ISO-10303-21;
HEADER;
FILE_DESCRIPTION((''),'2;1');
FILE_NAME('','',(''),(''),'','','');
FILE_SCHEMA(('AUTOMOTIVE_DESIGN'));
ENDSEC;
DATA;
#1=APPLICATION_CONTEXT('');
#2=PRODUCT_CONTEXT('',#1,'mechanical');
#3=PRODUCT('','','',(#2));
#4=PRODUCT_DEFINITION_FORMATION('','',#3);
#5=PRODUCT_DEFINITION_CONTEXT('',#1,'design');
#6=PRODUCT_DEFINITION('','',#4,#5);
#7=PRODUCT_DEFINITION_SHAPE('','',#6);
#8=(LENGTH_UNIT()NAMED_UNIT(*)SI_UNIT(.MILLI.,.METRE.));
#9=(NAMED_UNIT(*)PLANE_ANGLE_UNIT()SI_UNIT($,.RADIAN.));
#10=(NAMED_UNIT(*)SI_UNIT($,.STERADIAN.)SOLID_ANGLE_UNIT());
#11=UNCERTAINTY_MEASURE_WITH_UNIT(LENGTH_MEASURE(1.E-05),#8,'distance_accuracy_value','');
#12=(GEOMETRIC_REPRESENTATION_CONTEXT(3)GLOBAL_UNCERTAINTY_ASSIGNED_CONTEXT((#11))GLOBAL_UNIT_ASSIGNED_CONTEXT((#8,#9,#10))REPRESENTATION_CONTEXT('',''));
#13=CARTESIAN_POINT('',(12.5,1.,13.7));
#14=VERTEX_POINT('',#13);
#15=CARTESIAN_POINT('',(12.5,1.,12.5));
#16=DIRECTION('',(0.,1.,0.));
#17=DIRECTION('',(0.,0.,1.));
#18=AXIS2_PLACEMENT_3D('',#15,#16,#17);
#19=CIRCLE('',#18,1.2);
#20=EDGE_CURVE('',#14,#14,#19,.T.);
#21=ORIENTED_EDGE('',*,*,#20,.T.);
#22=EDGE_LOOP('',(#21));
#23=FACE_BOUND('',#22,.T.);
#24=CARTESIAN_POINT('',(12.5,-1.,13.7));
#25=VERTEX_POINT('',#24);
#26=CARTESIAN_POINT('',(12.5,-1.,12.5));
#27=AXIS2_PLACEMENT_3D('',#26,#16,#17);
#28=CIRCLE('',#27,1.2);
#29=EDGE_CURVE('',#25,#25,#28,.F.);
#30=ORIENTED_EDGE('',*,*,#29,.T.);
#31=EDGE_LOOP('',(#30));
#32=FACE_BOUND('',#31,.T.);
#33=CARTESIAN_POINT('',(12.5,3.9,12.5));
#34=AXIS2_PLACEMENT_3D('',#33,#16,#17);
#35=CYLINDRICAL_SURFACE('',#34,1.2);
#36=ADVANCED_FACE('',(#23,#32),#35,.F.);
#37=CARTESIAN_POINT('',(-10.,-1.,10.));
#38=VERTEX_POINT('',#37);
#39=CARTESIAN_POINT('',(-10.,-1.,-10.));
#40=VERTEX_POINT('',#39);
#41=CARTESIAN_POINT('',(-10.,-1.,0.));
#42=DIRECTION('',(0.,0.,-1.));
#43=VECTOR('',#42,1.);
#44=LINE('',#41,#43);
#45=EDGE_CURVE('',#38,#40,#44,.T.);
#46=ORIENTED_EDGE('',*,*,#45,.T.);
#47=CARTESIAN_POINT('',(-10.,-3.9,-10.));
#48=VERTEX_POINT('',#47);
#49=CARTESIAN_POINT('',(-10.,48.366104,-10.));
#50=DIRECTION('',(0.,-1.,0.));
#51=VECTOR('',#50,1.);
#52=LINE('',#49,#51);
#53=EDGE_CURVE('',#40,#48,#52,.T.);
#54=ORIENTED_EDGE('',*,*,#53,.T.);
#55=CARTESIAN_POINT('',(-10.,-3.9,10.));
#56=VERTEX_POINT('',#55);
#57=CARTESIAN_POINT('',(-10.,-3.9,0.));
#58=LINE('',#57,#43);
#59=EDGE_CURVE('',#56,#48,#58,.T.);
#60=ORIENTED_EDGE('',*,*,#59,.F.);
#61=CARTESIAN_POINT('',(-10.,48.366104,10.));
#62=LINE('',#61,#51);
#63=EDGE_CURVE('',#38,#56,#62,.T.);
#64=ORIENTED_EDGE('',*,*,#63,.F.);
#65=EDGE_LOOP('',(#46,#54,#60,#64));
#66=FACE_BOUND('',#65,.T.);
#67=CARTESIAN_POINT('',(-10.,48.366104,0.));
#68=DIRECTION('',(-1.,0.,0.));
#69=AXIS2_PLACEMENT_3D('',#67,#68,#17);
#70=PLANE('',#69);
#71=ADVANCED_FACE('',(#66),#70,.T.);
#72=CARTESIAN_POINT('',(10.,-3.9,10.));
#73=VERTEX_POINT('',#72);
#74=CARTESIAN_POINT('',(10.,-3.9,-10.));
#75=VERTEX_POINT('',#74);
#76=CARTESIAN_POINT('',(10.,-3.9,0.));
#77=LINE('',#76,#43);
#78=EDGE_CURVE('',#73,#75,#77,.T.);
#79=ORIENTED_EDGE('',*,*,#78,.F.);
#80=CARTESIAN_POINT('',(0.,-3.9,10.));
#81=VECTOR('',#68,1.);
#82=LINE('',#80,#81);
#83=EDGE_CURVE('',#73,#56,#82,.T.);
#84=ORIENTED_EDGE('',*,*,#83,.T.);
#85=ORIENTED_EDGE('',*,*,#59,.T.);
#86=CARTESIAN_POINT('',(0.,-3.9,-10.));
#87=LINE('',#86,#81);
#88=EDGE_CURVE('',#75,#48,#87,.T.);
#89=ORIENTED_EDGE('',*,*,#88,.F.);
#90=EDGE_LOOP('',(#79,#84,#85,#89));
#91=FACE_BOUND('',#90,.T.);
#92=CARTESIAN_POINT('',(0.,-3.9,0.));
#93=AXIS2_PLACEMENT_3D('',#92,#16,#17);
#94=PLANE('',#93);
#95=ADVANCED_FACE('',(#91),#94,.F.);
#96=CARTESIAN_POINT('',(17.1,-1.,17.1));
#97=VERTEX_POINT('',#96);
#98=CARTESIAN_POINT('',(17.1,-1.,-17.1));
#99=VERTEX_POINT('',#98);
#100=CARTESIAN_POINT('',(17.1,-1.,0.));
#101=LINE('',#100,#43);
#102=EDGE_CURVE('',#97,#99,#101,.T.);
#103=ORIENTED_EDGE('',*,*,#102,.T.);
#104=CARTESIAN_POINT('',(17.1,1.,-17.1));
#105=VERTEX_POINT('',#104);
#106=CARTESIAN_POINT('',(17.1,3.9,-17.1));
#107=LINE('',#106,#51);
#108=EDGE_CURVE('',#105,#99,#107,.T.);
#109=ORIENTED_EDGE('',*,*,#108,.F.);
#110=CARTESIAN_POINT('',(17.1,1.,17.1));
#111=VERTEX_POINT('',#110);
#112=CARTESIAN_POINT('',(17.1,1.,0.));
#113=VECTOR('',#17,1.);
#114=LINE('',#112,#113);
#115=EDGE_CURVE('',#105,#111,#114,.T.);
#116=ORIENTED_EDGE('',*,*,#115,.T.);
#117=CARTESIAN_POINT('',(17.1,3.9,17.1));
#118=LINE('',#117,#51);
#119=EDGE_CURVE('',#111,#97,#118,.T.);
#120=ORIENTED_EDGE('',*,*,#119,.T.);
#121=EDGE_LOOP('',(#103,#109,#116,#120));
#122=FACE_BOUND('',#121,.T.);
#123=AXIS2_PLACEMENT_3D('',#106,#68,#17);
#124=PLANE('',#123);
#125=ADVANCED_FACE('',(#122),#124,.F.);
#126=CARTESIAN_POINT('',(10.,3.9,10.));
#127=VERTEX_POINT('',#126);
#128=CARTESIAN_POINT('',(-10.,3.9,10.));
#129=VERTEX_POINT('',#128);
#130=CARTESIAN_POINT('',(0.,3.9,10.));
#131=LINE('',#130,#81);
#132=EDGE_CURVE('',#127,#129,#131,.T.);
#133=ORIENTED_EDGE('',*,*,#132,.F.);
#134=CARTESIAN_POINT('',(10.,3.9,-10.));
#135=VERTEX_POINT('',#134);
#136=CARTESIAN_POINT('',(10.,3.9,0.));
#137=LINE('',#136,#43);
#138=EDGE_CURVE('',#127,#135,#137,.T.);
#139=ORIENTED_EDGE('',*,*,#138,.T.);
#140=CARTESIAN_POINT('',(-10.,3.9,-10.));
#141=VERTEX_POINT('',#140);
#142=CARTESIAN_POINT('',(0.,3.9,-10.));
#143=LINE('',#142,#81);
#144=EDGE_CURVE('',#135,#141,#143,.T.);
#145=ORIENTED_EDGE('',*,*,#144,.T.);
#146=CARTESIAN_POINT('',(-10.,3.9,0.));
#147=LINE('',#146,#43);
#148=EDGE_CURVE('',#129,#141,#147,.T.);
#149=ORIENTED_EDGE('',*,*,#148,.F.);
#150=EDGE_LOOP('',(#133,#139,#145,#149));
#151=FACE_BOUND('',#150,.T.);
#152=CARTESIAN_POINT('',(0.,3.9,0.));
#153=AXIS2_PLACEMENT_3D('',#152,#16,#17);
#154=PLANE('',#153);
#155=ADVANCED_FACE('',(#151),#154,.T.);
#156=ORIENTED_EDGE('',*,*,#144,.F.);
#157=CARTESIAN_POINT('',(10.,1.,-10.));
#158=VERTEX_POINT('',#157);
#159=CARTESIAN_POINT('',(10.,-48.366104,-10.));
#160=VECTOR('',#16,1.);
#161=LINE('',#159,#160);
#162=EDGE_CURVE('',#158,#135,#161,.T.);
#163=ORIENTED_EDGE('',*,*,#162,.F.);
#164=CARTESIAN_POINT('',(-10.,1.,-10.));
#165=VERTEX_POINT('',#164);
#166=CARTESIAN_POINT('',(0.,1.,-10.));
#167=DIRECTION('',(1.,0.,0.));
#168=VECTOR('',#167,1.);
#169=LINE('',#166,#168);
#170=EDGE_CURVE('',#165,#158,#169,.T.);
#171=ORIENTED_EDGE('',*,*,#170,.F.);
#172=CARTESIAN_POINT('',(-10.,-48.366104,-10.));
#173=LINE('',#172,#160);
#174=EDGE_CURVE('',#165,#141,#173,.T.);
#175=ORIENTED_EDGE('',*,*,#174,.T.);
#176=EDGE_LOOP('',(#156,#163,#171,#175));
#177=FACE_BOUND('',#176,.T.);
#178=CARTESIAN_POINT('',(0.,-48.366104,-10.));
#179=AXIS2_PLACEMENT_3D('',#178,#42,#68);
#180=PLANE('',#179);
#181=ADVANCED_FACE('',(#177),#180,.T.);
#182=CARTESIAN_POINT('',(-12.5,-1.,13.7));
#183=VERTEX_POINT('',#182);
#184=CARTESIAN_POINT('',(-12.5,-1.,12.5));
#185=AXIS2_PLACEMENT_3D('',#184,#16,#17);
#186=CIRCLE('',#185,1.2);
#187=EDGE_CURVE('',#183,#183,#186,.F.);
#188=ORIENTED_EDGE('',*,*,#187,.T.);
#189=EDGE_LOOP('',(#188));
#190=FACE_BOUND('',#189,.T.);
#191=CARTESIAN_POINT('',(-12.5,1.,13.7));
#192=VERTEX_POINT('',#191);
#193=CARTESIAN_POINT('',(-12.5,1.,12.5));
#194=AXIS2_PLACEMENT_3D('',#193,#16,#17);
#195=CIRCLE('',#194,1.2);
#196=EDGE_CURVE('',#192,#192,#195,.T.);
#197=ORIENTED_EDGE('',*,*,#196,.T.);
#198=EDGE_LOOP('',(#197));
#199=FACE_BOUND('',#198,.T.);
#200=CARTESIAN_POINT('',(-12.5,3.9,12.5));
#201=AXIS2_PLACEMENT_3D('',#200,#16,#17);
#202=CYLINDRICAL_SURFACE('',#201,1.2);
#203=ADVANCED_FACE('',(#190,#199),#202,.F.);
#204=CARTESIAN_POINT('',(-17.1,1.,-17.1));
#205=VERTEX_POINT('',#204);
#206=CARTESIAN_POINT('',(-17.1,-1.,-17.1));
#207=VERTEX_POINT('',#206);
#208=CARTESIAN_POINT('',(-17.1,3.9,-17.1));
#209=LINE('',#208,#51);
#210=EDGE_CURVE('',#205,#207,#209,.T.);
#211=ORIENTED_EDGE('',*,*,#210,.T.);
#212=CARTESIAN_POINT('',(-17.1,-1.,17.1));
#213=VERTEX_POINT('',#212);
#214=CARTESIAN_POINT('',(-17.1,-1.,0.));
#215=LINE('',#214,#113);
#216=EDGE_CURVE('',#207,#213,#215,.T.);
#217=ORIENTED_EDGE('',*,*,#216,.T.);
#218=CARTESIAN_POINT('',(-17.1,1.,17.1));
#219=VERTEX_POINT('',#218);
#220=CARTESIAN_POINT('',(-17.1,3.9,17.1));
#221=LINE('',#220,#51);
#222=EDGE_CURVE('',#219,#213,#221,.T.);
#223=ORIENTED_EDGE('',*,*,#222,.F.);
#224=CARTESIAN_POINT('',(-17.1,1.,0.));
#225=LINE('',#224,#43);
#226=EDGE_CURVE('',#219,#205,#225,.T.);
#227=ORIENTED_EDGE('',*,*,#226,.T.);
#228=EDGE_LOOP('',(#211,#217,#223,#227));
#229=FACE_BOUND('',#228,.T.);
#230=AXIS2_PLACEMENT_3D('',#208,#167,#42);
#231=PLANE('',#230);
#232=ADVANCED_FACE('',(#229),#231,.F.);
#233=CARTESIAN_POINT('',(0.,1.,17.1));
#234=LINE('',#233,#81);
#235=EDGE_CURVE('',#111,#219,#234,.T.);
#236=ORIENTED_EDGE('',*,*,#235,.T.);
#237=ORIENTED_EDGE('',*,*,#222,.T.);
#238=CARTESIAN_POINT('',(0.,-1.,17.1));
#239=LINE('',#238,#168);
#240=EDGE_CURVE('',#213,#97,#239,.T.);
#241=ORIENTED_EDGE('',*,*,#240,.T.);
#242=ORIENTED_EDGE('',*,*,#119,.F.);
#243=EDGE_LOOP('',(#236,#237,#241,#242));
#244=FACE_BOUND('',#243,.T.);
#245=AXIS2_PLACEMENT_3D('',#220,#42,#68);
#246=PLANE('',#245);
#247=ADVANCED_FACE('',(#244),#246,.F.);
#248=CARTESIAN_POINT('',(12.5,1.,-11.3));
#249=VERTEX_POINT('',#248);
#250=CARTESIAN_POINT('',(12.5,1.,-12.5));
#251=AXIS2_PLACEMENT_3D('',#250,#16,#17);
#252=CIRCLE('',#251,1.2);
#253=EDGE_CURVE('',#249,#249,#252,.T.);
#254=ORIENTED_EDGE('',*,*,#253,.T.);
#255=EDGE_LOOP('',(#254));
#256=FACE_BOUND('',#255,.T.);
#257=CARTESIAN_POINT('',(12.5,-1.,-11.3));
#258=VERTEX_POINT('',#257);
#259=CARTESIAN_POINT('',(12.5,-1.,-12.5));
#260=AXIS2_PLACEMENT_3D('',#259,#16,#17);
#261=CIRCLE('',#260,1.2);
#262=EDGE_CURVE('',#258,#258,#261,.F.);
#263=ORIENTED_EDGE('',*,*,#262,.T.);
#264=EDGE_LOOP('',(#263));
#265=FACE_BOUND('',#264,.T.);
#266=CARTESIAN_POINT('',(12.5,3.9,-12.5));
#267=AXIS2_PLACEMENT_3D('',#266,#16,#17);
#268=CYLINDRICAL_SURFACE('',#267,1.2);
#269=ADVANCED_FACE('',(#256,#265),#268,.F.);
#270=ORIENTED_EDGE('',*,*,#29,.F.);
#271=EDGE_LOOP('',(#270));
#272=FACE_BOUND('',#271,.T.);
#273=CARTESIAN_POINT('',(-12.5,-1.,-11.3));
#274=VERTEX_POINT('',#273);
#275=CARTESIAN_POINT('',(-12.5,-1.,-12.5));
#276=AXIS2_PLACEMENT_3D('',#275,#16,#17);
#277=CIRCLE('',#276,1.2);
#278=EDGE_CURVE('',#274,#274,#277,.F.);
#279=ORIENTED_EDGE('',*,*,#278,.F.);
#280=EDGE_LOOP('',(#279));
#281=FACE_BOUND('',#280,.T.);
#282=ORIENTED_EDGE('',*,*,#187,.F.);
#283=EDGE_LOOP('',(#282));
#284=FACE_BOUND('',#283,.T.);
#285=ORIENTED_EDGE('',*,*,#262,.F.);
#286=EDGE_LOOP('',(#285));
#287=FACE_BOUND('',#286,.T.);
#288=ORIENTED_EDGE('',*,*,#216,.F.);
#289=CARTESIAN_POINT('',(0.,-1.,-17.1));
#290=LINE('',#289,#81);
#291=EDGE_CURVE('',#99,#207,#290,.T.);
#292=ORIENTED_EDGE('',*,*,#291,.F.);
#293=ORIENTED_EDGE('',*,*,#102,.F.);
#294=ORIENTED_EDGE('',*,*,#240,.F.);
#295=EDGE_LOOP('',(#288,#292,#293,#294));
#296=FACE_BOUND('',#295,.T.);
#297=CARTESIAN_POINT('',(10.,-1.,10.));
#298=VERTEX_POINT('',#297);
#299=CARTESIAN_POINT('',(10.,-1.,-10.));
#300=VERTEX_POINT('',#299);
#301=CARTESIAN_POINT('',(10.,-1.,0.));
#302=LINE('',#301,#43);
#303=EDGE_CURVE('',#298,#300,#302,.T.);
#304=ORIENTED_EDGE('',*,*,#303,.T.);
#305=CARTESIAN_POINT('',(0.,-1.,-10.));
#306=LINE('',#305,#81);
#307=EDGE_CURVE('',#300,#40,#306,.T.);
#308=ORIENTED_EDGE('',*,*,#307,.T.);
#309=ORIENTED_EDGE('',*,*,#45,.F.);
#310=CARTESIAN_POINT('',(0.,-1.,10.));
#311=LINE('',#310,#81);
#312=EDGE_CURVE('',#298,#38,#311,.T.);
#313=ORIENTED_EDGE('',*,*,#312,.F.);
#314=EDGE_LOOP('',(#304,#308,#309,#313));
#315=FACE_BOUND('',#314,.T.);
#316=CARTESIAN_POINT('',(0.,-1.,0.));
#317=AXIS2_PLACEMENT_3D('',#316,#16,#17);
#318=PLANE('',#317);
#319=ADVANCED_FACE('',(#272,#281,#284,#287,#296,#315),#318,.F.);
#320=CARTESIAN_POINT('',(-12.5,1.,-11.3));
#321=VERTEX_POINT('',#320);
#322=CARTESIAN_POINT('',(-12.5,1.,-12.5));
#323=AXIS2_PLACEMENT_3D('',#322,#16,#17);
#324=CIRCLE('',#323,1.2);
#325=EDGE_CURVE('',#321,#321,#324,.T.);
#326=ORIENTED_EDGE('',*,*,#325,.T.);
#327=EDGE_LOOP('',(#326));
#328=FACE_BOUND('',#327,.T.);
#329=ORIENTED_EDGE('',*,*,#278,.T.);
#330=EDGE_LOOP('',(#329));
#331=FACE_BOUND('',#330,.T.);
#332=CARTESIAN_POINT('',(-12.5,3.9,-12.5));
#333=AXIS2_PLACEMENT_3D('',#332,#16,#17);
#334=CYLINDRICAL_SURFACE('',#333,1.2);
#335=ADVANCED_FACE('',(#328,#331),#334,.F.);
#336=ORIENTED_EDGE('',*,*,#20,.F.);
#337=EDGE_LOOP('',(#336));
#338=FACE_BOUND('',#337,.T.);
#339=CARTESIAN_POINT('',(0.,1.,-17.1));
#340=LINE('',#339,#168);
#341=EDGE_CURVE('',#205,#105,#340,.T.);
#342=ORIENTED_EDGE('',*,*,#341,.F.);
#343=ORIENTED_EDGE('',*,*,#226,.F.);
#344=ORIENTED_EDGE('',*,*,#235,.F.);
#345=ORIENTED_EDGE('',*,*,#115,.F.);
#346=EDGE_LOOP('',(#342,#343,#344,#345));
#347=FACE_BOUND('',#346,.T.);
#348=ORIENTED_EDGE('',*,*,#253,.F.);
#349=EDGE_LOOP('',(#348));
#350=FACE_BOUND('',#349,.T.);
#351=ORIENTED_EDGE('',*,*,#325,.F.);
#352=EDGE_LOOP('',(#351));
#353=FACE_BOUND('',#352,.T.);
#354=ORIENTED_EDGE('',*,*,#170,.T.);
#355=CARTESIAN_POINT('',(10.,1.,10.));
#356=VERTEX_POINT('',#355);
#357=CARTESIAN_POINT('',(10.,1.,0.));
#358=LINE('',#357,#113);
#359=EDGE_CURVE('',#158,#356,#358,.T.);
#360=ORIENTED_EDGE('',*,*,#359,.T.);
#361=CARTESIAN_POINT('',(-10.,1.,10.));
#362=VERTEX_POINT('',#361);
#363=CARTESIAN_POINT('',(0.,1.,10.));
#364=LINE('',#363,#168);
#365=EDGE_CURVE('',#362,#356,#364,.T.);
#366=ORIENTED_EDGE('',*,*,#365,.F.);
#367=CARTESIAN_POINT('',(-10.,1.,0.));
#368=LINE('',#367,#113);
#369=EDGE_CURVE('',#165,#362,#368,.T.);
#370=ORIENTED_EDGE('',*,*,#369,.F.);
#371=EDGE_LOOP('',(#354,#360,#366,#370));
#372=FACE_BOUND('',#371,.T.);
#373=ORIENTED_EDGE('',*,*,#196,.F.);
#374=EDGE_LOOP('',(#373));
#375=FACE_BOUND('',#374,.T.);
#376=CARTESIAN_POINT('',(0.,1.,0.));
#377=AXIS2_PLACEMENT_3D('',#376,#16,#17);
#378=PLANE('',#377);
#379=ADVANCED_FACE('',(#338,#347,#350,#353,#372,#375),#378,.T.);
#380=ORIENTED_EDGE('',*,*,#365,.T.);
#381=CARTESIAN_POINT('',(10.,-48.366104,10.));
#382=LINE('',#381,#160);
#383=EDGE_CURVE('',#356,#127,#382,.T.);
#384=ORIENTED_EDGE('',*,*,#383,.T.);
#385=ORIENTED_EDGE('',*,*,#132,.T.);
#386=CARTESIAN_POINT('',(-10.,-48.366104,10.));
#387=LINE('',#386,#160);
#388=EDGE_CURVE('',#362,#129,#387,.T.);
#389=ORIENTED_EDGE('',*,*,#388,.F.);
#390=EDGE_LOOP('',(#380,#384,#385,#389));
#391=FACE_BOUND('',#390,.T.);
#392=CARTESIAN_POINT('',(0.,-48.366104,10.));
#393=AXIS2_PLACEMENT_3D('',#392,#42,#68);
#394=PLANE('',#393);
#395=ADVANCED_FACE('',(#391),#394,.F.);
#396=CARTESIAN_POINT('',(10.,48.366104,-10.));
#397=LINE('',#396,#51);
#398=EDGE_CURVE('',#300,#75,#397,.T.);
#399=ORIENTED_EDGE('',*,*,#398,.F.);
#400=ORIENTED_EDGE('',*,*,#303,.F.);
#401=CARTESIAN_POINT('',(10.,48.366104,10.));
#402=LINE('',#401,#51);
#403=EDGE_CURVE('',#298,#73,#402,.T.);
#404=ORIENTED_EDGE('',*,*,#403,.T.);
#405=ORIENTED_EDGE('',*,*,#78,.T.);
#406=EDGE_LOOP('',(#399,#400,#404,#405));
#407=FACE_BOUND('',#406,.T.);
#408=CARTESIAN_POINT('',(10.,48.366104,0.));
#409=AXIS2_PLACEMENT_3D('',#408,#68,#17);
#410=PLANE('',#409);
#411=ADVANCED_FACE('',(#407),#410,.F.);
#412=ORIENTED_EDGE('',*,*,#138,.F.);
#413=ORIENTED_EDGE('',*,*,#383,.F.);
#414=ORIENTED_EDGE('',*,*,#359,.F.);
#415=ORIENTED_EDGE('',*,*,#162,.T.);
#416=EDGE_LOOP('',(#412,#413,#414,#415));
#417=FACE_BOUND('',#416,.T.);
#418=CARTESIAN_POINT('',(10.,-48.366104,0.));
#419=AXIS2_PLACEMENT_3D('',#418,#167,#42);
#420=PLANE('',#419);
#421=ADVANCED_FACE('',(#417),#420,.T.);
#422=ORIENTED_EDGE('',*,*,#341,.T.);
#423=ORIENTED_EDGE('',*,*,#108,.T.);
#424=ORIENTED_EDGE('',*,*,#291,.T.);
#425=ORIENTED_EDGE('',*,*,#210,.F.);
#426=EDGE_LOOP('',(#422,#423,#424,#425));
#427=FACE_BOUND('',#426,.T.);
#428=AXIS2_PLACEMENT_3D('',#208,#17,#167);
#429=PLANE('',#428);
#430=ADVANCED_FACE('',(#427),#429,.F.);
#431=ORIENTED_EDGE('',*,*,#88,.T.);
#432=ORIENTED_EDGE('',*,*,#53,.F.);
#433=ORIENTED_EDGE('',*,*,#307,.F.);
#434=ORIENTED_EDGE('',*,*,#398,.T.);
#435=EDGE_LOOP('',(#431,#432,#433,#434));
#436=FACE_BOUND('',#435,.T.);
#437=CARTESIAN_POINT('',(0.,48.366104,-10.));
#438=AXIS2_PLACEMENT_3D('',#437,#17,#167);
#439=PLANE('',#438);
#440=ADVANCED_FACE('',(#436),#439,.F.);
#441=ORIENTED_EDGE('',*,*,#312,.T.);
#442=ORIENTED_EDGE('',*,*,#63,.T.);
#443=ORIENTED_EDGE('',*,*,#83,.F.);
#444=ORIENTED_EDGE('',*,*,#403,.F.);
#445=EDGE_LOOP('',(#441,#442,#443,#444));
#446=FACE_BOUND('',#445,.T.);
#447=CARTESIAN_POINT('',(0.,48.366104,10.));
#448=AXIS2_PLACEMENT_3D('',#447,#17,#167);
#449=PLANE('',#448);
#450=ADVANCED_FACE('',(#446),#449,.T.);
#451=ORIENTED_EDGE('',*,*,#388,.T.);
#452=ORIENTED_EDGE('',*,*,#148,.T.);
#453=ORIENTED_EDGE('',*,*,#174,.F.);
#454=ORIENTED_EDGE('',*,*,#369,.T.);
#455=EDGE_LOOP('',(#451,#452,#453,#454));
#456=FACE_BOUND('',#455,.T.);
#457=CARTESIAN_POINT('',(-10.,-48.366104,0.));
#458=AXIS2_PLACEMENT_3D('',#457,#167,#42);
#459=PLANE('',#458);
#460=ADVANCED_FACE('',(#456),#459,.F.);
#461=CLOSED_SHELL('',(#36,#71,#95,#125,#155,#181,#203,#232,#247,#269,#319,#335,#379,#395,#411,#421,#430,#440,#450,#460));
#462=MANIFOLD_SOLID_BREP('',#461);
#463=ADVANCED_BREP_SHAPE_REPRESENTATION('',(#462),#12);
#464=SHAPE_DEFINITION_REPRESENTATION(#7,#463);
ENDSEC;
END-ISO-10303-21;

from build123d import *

# Parameters (mm, degrees)
SKETCH1_W            = 34.2
SKETCH1_H            = 34.2
BOSS_EXTRUDE1_DEPTH  = 3.9
M2_CLEARANCE_HOLE1_D = 2.4
CUT_EXTRUDE1_START   = -2.9
SKETCH9_W            = 34.2
SKETCH9_H            = 34.2
SKETCH9_R            = 1.2
SKETCH9_W_2          = 20
SKETCH9_H_2          = 20
CUT_EXTRUDE1_DEPTH   = 2.9


with BuildPart() as part:
    # Sketch1 → Boss-Extrude1 (new, symmetric)
    with BuildSketch(Plane(origin=(0, 0, 0), x_dir=(1, 0, 0), z_dir=(0, 1, 0))):
        Rectangle(SKETCH1_W, SKETCH1_H)
    extrude(amount=BOSS_EXTRUDE1_DEPTH, both=True)

    # M2 Clearance Hole1 (through all)
    with Locations(Plane(origin=(0, 3.9, 0), x_dir=(1, 0, 0), z_dir=(0, 1, 0))):
        with Locations((-12.5, 12.5), (12.5, -12.5), (12.5, 12.5), (-12.5, -12.5)):
            Hole(M2_CLEARANCE_HOLE1_D / 2)

    # Sketch9 → Cut-Extrude1 (cut)
    with BuildSketch(Plane(origin=(0, 3.9, 0), x_dir=(1, 0, 0), z_dir=(0, 1, 0)).offset(CUT_EXTRUDE1_START)):
        Rectangle(SKETCH9_W, SKETCH9_H)
        with Locations(Location((12.5, -12.5, 0), (0, 0, 270))):
            Circle(SKETCH9_R, mode=Mode.SUBTRACT)
        with Locations(Location((-12.5, -12.5, 0), (0, 0, 270))):
            Circle(SKETCH9_R, mode=Mode.SUBTRACT)
        with Locations(Location((12.5, 12.5, 0), (0, 0, 270))):
            Circle(SKETCH9_R, mode=Mode.SUBTRACT)
        with Locations(Location((-12.5, 12.5, 0), (0, 0, 270))):
            Circle(SKETCH9_R, mode=Mode.SUBTRACT)
        Rectangle(SKETCH9_W_2, SKETCH9_H_2, mode=Mode.SUBTRACT)
    cut_extrude1 = extrude(amount=CUT_EXTRUDE1_DEPTH, mode=Mode.SUBTRACT)

    # Mirror1: Cut-Extrude1 across plane
    add(cut_extrude1.mirror(Plane.ZX), mode=Mode.SUBTRACT)


solid = part.part
